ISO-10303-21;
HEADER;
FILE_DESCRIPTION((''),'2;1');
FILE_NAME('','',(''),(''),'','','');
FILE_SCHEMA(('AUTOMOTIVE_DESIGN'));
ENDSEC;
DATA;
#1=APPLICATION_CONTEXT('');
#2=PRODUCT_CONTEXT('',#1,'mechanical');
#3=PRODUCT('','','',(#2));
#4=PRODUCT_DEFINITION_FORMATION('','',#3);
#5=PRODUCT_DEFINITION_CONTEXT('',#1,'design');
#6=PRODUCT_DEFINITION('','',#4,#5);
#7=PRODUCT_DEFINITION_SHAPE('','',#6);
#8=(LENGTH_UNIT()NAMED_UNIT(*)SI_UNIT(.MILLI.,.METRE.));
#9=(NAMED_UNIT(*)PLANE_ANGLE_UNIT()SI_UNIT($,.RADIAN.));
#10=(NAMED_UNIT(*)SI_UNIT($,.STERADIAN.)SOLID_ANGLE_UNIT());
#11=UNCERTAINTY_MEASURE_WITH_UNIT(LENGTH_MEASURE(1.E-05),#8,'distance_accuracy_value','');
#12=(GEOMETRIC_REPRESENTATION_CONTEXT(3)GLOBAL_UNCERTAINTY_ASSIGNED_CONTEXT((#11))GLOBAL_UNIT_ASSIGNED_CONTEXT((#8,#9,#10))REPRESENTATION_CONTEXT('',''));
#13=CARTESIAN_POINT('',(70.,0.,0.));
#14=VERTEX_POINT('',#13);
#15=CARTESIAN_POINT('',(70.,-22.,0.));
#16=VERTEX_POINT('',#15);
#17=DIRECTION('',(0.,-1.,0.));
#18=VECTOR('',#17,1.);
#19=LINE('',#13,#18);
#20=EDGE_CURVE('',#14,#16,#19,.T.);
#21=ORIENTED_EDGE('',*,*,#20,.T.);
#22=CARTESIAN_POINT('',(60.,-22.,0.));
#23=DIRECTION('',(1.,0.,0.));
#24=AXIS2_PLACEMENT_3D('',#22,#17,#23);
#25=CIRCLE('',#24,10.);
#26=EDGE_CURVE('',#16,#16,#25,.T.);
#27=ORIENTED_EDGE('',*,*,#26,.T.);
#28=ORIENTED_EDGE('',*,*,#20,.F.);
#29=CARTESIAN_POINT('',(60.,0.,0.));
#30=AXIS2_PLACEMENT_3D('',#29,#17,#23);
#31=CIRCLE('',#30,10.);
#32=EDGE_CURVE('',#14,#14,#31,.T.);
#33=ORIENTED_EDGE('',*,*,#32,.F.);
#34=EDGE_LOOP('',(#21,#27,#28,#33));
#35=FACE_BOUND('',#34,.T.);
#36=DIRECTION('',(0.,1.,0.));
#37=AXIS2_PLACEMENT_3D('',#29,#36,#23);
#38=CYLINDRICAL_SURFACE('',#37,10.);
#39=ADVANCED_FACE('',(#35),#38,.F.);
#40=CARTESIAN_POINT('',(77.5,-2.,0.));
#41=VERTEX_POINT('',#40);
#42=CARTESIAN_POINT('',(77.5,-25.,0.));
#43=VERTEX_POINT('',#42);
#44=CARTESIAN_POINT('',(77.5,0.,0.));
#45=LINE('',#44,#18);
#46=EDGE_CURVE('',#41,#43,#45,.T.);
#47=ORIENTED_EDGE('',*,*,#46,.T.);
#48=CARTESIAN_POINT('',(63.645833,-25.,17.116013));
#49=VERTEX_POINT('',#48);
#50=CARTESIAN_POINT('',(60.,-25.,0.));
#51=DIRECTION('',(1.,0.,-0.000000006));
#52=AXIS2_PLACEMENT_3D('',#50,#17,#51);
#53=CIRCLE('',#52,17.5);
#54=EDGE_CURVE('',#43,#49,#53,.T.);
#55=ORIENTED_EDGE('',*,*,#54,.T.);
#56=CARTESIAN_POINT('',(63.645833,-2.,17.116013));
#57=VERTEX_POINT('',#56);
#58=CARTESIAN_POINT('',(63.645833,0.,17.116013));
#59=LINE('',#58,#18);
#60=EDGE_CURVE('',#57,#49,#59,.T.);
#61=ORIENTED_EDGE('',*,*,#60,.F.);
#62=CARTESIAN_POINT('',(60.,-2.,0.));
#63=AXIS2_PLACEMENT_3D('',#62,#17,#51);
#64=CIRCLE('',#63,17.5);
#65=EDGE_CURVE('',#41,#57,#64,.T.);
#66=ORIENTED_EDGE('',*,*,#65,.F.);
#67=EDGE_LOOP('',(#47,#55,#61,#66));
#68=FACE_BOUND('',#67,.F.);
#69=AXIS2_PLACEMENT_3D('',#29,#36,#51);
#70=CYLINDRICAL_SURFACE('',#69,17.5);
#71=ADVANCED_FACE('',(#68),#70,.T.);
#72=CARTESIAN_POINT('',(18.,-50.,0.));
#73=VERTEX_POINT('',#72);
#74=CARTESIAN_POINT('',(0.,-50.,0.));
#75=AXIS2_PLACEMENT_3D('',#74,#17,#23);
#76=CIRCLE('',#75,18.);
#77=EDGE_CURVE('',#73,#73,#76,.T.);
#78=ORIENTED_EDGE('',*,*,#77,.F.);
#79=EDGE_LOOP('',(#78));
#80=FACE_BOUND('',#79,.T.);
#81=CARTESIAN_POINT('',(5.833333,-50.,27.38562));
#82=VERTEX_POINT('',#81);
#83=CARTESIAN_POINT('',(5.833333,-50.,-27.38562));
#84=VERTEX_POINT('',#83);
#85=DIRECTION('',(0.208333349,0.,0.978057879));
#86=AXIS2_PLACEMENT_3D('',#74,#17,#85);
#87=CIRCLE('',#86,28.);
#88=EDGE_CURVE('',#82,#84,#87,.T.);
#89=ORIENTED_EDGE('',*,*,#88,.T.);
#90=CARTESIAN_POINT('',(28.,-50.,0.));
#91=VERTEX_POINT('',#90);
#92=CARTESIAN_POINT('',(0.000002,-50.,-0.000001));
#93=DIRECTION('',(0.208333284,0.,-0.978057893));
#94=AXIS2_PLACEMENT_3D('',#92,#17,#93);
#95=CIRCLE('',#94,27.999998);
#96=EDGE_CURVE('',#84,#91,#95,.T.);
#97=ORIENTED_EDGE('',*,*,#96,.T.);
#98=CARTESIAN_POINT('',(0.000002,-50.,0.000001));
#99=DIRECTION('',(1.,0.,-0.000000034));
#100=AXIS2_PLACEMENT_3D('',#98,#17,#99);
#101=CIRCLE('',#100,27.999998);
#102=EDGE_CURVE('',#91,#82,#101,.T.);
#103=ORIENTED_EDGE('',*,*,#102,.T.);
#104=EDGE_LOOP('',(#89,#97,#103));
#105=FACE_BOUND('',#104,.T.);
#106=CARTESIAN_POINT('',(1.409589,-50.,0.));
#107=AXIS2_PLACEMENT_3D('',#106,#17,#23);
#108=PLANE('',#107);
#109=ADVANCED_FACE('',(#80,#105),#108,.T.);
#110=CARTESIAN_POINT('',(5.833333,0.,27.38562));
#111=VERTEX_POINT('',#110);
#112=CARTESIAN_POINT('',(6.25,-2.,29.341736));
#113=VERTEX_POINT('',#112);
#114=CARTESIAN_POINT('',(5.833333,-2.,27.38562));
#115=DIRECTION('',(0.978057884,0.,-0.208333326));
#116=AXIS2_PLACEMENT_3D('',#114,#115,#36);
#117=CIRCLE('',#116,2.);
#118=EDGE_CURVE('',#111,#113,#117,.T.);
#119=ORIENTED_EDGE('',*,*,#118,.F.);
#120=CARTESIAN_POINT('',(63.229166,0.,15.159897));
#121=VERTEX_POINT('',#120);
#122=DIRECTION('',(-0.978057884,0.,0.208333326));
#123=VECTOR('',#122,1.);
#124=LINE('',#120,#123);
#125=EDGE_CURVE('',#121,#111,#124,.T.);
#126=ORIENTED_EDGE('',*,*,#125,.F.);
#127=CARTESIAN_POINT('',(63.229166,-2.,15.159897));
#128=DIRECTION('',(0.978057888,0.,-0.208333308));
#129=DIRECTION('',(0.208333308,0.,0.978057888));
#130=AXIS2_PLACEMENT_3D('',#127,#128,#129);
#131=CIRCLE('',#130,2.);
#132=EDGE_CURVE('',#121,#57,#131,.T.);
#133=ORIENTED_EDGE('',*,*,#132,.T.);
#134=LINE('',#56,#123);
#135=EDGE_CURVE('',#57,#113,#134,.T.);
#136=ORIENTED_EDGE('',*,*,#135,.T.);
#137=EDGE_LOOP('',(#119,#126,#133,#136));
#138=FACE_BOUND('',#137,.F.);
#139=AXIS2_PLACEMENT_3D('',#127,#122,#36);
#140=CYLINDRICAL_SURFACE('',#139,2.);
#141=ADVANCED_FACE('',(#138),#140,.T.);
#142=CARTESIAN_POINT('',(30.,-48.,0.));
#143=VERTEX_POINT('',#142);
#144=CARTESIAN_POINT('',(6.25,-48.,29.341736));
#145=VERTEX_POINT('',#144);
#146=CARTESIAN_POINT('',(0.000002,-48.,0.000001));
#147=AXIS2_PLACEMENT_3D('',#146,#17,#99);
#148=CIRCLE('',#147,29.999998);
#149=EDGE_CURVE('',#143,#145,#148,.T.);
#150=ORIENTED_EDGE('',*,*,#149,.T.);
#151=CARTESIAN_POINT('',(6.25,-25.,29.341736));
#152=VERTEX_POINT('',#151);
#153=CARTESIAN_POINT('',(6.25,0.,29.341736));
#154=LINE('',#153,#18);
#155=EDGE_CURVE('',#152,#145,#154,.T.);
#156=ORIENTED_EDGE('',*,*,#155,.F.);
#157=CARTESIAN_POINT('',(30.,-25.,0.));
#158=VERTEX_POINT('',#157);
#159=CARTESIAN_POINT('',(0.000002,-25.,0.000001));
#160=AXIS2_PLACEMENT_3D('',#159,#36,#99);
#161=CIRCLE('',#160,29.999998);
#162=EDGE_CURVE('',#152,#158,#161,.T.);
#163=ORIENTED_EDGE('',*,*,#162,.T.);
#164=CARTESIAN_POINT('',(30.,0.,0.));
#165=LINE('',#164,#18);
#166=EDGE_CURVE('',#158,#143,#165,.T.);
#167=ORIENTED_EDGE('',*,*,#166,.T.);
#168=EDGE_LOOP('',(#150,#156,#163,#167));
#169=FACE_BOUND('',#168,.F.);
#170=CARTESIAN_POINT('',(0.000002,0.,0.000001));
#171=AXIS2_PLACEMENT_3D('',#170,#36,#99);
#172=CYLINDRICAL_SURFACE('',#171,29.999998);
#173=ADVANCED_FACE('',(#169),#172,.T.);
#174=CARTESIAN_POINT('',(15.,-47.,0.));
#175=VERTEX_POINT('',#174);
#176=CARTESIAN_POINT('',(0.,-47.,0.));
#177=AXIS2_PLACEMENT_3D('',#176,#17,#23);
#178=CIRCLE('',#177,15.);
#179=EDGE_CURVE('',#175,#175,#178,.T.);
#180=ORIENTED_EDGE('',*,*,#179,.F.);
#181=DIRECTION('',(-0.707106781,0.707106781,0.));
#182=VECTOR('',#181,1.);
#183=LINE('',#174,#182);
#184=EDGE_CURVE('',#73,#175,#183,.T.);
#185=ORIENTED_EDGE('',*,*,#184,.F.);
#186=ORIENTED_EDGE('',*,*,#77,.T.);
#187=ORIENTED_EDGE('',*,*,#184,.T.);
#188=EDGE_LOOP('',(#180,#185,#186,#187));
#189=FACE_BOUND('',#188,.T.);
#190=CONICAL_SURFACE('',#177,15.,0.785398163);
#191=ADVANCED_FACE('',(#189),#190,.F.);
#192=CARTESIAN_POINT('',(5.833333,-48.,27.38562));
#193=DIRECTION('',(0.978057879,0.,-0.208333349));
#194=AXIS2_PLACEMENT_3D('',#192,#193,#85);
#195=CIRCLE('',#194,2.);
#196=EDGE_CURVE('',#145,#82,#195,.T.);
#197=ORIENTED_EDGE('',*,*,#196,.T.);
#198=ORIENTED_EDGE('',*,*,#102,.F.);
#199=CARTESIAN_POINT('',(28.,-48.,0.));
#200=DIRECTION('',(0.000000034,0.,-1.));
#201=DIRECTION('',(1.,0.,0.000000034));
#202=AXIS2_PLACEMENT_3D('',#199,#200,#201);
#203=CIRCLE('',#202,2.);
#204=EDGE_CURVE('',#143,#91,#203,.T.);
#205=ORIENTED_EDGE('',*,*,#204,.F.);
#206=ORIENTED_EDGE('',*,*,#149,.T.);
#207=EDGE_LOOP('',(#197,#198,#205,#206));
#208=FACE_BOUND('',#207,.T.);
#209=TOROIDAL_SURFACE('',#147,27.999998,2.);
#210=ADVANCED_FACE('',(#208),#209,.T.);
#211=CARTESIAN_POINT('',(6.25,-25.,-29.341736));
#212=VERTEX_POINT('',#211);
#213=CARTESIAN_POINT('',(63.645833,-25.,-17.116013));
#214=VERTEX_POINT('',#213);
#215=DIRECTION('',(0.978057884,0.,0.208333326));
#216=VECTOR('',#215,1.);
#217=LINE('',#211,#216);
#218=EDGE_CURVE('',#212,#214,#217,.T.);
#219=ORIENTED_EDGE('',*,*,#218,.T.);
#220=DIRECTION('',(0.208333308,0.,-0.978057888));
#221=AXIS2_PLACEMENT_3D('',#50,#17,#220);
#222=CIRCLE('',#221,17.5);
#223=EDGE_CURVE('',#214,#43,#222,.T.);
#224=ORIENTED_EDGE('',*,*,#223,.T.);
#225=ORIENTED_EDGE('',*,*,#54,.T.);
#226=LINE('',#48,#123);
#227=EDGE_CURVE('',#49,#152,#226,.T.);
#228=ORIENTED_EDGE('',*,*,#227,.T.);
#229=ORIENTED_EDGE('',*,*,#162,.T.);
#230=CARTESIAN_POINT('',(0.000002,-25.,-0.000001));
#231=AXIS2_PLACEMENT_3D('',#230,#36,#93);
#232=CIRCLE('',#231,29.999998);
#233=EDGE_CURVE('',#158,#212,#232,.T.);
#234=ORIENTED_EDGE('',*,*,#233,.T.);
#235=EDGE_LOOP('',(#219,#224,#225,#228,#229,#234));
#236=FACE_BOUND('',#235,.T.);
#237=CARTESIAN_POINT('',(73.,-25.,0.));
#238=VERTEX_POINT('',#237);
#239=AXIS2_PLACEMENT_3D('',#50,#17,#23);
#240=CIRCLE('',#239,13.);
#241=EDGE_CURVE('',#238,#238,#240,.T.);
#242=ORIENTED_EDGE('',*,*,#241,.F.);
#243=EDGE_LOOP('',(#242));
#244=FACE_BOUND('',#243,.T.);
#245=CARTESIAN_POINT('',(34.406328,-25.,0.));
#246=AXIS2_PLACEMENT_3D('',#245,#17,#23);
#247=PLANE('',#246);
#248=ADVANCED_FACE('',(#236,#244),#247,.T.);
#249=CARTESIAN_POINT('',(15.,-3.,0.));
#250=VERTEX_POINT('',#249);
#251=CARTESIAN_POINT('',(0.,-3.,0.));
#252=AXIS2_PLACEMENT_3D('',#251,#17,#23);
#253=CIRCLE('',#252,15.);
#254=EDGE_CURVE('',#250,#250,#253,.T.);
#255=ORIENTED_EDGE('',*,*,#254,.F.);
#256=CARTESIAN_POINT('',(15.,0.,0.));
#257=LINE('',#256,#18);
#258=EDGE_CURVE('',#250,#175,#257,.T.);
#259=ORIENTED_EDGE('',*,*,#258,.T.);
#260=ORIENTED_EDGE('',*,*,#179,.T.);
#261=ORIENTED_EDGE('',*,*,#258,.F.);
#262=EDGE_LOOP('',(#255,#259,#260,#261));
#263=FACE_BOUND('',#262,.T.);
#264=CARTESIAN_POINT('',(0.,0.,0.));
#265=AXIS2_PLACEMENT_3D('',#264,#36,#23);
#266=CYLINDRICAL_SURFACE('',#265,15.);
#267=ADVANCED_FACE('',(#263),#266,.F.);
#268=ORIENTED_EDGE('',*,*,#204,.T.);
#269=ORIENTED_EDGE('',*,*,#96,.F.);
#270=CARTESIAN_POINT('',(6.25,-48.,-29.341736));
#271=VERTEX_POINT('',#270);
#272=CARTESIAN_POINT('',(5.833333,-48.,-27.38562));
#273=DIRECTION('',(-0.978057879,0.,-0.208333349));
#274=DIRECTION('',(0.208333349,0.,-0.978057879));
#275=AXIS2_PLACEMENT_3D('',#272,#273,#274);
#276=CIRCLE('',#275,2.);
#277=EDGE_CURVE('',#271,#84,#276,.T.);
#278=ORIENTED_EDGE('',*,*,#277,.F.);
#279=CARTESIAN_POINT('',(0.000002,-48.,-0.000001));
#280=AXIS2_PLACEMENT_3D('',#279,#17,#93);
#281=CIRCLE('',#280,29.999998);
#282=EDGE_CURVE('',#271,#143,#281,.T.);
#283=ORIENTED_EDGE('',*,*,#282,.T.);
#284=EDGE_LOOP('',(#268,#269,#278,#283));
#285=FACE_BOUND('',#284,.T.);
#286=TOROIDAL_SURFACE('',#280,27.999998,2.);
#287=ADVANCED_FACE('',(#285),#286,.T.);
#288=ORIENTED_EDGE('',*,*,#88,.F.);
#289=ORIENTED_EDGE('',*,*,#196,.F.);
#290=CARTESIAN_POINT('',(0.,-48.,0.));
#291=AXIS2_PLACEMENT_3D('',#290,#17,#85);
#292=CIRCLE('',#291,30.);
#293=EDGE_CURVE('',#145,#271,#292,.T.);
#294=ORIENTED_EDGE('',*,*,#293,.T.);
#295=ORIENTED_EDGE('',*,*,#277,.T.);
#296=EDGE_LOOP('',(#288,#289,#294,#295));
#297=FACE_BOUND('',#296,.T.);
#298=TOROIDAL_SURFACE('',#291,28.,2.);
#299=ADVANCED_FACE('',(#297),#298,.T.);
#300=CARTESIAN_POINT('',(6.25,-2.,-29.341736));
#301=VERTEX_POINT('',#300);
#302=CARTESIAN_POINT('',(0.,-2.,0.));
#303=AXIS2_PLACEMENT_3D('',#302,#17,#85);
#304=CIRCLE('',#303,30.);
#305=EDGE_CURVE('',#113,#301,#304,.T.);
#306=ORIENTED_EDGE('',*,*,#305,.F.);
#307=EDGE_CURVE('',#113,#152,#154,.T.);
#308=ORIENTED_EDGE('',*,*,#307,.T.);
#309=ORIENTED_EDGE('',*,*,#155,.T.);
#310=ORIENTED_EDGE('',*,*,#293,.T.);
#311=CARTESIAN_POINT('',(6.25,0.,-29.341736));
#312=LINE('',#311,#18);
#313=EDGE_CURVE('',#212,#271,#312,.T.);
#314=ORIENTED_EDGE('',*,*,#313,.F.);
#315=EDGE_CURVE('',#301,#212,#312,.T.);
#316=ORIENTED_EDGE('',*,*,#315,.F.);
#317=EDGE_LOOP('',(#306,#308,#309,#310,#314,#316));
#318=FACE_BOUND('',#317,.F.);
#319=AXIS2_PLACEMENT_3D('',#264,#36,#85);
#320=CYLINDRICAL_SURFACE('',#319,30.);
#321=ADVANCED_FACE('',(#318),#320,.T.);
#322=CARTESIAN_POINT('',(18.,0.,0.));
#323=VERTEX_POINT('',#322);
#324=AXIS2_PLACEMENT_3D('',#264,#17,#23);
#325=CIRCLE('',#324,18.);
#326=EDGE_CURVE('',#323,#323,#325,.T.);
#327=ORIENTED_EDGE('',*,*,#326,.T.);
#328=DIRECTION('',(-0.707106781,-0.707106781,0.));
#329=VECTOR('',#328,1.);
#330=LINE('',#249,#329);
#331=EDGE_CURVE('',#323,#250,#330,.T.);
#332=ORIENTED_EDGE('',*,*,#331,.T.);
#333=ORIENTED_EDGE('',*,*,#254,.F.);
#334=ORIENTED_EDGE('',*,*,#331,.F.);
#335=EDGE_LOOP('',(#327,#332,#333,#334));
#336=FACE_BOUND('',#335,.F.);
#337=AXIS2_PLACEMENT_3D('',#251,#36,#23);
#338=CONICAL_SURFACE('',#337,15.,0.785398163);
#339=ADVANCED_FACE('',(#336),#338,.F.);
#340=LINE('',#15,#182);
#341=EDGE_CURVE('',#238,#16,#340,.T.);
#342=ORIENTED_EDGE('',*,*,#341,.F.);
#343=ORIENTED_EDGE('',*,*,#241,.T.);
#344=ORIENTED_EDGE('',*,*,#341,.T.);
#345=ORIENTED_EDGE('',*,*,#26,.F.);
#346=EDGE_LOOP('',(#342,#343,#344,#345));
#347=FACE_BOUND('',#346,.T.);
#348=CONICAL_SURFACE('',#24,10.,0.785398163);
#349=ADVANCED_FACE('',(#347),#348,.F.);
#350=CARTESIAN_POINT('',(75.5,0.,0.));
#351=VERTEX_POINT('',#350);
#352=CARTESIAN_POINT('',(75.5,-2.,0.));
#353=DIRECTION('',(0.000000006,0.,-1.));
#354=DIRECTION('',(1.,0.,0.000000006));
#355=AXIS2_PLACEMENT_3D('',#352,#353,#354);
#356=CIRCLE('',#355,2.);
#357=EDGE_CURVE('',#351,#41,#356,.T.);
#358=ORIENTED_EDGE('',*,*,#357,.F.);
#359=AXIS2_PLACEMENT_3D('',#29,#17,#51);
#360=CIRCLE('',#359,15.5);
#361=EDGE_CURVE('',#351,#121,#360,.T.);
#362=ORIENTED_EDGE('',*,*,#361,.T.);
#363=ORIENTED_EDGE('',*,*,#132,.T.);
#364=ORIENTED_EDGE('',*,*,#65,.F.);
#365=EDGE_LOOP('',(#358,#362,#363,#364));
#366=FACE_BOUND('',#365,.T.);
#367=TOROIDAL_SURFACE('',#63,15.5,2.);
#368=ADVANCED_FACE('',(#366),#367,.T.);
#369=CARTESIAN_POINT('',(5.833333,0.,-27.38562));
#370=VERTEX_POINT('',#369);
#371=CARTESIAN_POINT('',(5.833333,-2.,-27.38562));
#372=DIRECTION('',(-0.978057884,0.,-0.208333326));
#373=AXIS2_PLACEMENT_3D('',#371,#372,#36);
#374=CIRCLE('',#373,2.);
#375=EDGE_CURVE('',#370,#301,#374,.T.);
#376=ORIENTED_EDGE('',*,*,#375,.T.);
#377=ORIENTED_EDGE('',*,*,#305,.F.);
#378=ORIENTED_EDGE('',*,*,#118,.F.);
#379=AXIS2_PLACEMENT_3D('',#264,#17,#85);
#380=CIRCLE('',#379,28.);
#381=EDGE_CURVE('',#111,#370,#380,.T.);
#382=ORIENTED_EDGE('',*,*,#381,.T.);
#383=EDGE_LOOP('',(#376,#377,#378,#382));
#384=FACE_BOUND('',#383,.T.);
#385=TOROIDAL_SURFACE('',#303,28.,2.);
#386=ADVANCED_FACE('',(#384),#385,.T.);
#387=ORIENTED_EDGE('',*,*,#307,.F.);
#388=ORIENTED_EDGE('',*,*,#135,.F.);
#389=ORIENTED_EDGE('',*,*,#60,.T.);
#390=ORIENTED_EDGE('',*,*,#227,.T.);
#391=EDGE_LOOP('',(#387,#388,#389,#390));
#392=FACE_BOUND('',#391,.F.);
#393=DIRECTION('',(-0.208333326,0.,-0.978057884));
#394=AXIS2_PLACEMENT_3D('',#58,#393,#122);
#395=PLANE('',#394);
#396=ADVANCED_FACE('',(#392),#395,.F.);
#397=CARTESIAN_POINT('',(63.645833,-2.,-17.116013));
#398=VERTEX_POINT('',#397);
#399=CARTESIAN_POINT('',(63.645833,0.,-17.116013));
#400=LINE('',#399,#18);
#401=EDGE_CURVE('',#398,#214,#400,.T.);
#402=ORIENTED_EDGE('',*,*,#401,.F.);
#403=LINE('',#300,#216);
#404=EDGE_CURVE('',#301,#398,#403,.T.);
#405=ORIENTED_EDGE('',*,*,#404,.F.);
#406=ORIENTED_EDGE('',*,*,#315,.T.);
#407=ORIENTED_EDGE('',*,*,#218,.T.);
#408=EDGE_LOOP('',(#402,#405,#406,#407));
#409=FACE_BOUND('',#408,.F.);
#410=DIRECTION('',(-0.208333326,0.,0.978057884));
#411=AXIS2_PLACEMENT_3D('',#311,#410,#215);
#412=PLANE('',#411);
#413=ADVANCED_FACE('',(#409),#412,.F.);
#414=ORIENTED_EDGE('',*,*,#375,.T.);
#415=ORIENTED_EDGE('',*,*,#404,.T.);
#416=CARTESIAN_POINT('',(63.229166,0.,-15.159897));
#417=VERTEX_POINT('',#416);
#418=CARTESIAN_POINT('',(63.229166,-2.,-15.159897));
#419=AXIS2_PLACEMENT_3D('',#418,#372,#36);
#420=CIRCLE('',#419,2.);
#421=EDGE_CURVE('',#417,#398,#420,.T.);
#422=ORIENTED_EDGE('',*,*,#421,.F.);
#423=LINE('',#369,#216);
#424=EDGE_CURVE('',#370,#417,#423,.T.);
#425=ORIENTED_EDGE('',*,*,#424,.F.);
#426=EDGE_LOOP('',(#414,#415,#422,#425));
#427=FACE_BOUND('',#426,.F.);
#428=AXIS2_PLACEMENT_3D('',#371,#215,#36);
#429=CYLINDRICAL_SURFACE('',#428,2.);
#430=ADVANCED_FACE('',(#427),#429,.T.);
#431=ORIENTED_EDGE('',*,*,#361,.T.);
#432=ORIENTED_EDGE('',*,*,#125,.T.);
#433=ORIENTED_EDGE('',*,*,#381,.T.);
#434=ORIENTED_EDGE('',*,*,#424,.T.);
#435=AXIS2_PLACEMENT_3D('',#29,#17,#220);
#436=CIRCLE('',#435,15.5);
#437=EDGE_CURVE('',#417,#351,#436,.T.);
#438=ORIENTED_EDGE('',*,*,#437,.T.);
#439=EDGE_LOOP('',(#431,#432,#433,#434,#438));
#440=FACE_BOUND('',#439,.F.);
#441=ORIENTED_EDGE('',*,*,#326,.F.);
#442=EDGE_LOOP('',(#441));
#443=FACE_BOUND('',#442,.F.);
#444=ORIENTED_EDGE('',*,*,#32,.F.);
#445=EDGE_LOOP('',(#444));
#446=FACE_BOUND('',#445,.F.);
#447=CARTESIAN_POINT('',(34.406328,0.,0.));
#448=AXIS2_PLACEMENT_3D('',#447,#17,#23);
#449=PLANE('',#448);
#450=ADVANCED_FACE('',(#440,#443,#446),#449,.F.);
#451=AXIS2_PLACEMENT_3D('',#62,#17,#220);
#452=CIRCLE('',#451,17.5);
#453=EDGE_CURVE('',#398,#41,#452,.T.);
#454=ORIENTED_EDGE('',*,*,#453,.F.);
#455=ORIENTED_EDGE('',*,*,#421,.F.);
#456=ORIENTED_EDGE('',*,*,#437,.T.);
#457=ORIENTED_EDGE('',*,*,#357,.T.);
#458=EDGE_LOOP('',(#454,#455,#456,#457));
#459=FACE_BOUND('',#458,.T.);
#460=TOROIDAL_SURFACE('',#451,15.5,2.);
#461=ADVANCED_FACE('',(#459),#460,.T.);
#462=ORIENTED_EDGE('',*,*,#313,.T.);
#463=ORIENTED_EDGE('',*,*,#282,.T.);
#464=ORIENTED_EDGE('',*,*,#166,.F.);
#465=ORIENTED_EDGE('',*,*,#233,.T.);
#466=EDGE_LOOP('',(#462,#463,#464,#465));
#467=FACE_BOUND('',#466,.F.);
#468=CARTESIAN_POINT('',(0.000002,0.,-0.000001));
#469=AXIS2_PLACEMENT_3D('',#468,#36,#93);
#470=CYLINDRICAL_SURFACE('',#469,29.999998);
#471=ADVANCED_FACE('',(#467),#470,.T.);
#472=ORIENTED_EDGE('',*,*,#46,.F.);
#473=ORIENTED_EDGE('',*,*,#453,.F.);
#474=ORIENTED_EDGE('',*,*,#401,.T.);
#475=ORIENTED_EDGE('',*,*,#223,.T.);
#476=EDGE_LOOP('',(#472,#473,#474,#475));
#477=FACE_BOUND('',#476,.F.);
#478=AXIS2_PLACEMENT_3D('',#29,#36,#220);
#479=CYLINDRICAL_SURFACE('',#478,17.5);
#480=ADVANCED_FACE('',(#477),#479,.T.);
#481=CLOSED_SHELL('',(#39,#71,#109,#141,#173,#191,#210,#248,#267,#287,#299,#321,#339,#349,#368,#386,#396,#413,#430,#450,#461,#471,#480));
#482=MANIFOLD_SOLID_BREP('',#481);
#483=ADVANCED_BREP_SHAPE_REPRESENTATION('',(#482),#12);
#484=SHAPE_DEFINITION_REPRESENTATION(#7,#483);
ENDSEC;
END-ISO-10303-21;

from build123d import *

# Parameters (mm, degrees)
F0_R     = 15
F0_R_2   = 10
F1_DEPTH = 25
F2_DEPTH = 50
F3_R     = 2
F4_SIZE  = 3


with BuildPart() as f1:
    # F0 (on Front) → F1 (new body)
    with BuildSketch(Plane.XZ):
        with BuildLine():
            ThreePointArc((6.25, 29.341736), (23.318448, 18.874586), (30, 0))
            ThreePointArc((30, 0), (23.318448, -18.874586), (6.25, -29.341736))
            Line((6.25, -29.341736), (63.645833, -17.116013))
            ThreePointArc((63.645833, -17.116013), (42.5, 0), (63.645833, 17.116013))
            Line((63.645833, 17.116013), (6.25, 29.341736))
        make_face()
        with BuildLine():
            ThreePointArc((6.25, -29.341736), (23.318448, -18.874586), (30, 0))
            ThreePointArc((30, 0), (23.318448, 18.874586), (6.25, 29.341736))
            ThreePointArc((6.25, 29.341736), (-30, 0), (6.25, -29.341736))
        make_face()
        Circle(F0_R, mode=Mode.SUBTRACT)
        with BuildLine():
            ThreePointArc((77.5, 0), (73.602428, 11.010175), (63.645833, 17.116013))
            ThreePointArc((63.645833, 17.116013), (42.5, 0), (63.645833, -17.116013))
            ThreePointArc((63.645833, -17.116013), (73.602428, -11.010175), (77.5, 0))
        make_face()
        with Locations((60, 0)):
            Circle(F0_R_2, mode=Mode.SUBTRACT)
    extrude(amount=F1_DEPTH)

    # F0 (on Front) → F2 (join)
    with BuildSketch(Plane.XZ):
        with BuildLine():
            ThreePointArc((6.25, -29.341736), (23.318448, -18.874586), (30, 0))
            ThreePointArc((30, 0), (23.318448, 18.874586), (6.25, 29.341736))
            ThreePointArc((6.25, 29.341736), (-30, 0), (6.25, -29.341736))
        make_face()
        Circle(F0_R, mode=Mode.SUBTRACT)
    extrude(amount=F2_DEPTH)

    # F3
    f3_edges = [f1.edges().sort_by_distance(p)[0] for p in [
        (34.947917, 0, -23.228875),
        (-6.25, -50, 29.341736),
    ]]
    fillet(f3_edges, radius=F3_R)

    # F4
    f4_edges = [f1.edges().sort_by_distance(p)[0] for p in [
        (50, -25, 0),
        (-15, 0, 0),
        (15, -25, 0),
        (-15, -50, 0),
    ]]
    chamfer(f4_edges, length=F4_SIZE)


solid = f1.part
